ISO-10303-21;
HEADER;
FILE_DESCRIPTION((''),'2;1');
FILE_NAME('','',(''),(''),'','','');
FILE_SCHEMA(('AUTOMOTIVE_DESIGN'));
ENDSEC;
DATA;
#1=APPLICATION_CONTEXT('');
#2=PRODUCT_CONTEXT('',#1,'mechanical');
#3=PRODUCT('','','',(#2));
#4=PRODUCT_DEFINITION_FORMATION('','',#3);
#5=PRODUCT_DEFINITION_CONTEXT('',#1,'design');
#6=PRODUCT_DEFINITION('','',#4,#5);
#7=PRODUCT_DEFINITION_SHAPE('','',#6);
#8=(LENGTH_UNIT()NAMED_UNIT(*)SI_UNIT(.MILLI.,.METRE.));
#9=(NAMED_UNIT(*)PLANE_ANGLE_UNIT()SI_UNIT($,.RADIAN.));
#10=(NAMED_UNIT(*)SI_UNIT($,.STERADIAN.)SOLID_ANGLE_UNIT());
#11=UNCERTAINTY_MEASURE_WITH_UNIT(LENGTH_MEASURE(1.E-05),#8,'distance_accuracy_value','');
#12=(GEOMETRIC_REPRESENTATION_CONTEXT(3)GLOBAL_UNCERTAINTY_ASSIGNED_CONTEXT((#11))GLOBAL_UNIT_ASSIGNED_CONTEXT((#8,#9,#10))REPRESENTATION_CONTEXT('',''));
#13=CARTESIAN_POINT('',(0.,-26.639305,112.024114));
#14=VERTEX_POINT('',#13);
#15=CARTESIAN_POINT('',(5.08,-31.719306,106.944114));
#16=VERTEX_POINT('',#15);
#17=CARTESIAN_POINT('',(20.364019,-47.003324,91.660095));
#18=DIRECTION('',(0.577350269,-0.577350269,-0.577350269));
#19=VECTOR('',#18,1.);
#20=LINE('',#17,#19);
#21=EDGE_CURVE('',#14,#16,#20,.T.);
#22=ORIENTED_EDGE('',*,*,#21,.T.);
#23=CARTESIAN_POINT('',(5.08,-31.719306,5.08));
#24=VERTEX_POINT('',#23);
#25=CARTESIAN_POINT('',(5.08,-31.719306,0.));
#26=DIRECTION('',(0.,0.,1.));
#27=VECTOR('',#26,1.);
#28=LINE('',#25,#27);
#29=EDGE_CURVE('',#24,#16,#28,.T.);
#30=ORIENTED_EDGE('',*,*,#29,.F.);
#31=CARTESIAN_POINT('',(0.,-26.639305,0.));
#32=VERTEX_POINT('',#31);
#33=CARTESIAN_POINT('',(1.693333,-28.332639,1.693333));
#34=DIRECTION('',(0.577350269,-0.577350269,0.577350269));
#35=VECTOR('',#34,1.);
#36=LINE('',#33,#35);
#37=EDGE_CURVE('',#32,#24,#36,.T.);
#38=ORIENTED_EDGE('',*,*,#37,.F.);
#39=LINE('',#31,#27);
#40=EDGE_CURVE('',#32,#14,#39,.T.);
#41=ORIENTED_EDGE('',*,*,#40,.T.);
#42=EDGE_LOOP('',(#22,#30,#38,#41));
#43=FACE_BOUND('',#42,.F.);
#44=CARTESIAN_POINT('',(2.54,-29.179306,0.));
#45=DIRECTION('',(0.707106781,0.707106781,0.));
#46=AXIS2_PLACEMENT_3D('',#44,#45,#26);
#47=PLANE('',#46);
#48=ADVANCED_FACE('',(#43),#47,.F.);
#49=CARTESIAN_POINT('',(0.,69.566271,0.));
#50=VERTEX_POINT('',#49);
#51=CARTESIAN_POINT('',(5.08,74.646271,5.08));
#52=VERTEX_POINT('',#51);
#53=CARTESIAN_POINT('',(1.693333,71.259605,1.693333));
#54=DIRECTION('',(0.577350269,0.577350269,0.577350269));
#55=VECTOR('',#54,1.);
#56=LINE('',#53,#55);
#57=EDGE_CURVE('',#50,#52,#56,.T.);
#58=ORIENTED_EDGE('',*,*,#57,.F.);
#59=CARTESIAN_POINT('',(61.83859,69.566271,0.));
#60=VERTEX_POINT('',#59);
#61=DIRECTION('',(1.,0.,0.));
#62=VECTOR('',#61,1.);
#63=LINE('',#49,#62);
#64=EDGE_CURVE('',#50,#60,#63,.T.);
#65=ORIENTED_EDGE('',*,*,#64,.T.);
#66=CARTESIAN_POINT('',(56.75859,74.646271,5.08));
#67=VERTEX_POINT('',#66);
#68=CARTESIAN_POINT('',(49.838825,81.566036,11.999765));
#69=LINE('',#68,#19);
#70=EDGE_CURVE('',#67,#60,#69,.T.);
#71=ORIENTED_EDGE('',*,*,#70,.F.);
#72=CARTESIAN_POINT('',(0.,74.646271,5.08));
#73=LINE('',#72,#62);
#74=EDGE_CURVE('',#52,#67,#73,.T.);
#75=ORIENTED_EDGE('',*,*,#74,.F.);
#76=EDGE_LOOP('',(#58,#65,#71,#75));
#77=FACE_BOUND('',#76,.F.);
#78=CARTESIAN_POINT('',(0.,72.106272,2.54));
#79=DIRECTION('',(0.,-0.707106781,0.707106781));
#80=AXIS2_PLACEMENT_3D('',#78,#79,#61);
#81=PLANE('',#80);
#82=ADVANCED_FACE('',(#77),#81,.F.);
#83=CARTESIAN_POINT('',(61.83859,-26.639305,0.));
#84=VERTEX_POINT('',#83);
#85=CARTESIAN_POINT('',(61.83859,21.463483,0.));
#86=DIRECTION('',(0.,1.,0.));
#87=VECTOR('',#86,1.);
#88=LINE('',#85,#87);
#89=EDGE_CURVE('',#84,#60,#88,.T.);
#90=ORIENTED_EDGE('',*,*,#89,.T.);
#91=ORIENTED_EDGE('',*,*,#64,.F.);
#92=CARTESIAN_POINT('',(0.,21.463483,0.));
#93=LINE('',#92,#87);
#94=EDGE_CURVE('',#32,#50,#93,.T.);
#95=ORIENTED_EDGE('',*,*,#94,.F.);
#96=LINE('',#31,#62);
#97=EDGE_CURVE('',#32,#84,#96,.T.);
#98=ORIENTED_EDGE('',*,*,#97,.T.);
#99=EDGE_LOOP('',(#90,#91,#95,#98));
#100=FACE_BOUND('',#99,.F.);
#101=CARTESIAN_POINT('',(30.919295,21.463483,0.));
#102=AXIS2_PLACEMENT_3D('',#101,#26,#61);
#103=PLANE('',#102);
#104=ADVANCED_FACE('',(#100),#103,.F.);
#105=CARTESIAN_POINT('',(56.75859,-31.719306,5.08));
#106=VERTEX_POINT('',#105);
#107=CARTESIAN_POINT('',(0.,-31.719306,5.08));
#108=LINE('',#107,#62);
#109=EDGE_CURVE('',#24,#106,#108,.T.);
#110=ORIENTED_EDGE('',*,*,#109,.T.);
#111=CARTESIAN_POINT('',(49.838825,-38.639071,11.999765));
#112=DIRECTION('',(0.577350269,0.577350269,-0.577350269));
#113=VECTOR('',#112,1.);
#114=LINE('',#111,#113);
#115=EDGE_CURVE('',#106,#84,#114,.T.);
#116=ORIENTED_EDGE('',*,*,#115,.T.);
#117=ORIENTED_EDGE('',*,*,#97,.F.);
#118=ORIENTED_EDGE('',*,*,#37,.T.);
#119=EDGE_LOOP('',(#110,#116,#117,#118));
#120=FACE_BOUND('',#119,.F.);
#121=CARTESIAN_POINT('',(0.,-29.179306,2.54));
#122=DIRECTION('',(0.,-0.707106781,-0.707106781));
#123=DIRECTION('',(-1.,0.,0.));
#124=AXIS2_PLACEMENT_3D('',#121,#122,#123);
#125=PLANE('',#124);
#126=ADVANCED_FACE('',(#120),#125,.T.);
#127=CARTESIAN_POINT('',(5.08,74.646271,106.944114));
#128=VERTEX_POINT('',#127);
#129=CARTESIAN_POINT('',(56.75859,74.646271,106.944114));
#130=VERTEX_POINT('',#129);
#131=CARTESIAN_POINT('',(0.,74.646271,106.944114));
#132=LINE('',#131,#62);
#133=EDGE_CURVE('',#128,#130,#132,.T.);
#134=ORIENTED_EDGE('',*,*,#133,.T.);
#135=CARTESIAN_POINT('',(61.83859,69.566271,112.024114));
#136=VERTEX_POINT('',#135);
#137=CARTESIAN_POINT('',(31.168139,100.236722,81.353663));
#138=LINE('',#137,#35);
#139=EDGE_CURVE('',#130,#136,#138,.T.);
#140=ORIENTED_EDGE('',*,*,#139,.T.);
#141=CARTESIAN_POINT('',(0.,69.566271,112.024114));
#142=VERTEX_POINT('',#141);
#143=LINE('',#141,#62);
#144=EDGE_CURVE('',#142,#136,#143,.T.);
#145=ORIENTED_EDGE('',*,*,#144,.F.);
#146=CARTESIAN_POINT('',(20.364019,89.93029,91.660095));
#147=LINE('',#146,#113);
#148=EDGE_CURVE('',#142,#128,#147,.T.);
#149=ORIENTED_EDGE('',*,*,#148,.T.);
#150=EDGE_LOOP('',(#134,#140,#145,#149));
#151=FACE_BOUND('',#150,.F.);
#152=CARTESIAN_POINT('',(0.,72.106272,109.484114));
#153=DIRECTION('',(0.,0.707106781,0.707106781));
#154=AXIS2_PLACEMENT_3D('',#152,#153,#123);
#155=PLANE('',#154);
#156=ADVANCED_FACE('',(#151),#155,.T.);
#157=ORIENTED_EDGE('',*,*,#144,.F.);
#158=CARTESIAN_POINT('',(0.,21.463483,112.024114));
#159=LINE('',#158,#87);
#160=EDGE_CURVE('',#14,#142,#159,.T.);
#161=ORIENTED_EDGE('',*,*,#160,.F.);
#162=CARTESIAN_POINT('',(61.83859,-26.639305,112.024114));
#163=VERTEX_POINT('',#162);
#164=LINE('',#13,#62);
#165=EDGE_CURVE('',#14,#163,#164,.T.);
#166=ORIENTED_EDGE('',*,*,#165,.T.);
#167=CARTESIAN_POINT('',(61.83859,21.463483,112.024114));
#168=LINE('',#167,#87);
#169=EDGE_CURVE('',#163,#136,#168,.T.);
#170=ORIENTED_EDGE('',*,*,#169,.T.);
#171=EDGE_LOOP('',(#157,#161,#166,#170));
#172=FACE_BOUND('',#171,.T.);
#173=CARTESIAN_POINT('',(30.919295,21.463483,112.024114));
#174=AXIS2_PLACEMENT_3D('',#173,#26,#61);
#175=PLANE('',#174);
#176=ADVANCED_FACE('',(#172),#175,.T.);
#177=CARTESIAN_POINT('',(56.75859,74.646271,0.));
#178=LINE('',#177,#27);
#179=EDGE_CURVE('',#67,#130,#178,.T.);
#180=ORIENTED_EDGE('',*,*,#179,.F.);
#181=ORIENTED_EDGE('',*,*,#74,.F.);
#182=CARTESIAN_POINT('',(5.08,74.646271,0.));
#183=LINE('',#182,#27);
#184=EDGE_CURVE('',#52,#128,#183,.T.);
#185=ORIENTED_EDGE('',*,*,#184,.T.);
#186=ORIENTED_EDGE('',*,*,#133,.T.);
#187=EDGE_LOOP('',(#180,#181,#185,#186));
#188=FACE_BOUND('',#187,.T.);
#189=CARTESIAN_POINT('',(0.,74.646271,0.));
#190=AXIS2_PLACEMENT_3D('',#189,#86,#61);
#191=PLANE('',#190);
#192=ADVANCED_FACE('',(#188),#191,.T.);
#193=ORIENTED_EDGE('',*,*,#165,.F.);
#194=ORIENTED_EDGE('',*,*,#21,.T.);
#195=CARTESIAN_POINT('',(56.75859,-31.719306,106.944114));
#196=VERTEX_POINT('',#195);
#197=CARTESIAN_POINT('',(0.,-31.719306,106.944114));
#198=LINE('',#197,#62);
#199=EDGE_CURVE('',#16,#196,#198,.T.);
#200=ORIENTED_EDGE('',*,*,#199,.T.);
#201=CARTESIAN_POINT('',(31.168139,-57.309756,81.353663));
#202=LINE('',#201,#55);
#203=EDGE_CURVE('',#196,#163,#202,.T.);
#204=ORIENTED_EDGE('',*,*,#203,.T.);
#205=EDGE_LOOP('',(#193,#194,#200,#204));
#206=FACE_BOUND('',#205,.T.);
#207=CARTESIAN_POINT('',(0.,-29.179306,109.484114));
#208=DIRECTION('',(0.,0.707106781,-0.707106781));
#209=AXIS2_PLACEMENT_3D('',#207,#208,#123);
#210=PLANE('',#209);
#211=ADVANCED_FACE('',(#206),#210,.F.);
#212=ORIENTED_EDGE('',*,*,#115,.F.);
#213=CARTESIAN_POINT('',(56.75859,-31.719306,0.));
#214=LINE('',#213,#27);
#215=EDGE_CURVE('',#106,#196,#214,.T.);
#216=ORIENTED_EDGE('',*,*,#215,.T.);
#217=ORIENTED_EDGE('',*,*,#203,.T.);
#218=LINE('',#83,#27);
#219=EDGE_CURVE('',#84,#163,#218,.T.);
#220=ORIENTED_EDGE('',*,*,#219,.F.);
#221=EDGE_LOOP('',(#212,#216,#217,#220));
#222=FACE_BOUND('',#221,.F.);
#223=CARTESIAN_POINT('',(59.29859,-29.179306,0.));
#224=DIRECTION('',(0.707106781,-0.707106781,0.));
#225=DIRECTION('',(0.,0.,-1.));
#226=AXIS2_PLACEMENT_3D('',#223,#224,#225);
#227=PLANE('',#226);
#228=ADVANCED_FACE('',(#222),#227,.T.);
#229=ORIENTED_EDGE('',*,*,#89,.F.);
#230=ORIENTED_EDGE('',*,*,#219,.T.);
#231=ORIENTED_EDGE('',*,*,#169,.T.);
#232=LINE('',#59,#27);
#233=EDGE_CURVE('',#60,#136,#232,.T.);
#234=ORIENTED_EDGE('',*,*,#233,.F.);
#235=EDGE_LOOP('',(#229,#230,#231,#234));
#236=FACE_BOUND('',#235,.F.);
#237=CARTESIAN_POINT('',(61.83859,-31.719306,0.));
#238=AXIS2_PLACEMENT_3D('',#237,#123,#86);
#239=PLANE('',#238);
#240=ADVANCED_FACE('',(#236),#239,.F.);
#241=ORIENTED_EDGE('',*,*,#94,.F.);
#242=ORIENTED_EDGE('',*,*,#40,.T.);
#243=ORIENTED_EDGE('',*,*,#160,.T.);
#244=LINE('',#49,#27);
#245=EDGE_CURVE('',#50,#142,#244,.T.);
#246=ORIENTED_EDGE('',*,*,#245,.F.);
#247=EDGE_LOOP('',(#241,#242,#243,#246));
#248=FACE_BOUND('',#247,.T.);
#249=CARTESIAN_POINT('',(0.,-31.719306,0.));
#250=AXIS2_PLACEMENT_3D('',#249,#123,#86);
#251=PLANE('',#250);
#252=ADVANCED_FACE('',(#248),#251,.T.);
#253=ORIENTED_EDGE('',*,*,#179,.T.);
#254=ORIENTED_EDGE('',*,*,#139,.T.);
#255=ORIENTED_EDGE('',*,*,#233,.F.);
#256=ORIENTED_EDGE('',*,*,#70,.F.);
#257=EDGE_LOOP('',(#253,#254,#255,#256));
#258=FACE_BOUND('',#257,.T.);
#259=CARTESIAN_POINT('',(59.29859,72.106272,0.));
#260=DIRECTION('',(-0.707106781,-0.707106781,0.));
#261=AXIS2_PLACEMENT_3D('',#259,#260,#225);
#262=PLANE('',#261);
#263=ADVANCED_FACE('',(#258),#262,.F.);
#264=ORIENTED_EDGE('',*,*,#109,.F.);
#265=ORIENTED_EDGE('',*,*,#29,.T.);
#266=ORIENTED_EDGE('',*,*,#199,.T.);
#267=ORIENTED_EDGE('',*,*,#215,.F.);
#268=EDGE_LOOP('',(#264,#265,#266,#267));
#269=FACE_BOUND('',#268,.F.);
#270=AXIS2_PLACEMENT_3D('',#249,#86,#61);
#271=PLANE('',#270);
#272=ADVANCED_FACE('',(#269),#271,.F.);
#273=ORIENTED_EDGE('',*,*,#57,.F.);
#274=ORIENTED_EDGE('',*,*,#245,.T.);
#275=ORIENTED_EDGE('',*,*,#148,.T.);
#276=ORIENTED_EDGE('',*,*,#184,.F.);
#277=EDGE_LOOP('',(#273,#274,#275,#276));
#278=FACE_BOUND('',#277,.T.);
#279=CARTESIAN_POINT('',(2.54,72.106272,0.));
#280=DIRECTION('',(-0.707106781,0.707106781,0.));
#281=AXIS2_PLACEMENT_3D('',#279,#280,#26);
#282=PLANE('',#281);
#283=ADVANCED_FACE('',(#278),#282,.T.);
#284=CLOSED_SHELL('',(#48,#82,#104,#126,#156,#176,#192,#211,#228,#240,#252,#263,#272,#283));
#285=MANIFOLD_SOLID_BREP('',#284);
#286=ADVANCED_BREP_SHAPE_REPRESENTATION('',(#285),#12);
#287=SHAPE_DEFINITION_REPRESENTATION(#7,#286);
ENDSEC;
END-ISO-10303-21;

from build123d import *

# Parameters (mm, degrees)
F0_W     = 61.83859
F0_H     = 106.365577
F1_DEPTH = 112.024114
F2_SIZE  = 5.08
F3_SIZE  = 5.08


with BuildPart() as f1:
    # F0 (on Top) → F1 (new body)
    with BuildSketch(Plane.XY):
        with Locations((30.919295, 21.463483)):
            Rectangle(F0_W, F0_H)
    extrude(amount=F1_DEPTH)

    # F2
    f2_edges = [f1.edges().sort_by_distance(p)[0] for p in [
        (0, -31.719305, 56.012057),
        (61.83859, -31.719305, 56.012057),
        (30.919295, -31.719305, 0),
        (30.919295, -31.719305, 112.024114),
    ]]
    chamfer(f2_edges, length=F2_SIZE)

    # F3
    f3_edges = [f1.edges().sort_by_distance(p)[0] for p in [
        (61.83859, 74.646272, 56.012057),
        (0, 74.646272, 56.012057),
        (30.919295, 74.646272, 0),
        (30.919295, 74.646272, 112.024114),
    ]]
    chamfer(f3_edges, length=F3_SIZE)


solid = f1.part
